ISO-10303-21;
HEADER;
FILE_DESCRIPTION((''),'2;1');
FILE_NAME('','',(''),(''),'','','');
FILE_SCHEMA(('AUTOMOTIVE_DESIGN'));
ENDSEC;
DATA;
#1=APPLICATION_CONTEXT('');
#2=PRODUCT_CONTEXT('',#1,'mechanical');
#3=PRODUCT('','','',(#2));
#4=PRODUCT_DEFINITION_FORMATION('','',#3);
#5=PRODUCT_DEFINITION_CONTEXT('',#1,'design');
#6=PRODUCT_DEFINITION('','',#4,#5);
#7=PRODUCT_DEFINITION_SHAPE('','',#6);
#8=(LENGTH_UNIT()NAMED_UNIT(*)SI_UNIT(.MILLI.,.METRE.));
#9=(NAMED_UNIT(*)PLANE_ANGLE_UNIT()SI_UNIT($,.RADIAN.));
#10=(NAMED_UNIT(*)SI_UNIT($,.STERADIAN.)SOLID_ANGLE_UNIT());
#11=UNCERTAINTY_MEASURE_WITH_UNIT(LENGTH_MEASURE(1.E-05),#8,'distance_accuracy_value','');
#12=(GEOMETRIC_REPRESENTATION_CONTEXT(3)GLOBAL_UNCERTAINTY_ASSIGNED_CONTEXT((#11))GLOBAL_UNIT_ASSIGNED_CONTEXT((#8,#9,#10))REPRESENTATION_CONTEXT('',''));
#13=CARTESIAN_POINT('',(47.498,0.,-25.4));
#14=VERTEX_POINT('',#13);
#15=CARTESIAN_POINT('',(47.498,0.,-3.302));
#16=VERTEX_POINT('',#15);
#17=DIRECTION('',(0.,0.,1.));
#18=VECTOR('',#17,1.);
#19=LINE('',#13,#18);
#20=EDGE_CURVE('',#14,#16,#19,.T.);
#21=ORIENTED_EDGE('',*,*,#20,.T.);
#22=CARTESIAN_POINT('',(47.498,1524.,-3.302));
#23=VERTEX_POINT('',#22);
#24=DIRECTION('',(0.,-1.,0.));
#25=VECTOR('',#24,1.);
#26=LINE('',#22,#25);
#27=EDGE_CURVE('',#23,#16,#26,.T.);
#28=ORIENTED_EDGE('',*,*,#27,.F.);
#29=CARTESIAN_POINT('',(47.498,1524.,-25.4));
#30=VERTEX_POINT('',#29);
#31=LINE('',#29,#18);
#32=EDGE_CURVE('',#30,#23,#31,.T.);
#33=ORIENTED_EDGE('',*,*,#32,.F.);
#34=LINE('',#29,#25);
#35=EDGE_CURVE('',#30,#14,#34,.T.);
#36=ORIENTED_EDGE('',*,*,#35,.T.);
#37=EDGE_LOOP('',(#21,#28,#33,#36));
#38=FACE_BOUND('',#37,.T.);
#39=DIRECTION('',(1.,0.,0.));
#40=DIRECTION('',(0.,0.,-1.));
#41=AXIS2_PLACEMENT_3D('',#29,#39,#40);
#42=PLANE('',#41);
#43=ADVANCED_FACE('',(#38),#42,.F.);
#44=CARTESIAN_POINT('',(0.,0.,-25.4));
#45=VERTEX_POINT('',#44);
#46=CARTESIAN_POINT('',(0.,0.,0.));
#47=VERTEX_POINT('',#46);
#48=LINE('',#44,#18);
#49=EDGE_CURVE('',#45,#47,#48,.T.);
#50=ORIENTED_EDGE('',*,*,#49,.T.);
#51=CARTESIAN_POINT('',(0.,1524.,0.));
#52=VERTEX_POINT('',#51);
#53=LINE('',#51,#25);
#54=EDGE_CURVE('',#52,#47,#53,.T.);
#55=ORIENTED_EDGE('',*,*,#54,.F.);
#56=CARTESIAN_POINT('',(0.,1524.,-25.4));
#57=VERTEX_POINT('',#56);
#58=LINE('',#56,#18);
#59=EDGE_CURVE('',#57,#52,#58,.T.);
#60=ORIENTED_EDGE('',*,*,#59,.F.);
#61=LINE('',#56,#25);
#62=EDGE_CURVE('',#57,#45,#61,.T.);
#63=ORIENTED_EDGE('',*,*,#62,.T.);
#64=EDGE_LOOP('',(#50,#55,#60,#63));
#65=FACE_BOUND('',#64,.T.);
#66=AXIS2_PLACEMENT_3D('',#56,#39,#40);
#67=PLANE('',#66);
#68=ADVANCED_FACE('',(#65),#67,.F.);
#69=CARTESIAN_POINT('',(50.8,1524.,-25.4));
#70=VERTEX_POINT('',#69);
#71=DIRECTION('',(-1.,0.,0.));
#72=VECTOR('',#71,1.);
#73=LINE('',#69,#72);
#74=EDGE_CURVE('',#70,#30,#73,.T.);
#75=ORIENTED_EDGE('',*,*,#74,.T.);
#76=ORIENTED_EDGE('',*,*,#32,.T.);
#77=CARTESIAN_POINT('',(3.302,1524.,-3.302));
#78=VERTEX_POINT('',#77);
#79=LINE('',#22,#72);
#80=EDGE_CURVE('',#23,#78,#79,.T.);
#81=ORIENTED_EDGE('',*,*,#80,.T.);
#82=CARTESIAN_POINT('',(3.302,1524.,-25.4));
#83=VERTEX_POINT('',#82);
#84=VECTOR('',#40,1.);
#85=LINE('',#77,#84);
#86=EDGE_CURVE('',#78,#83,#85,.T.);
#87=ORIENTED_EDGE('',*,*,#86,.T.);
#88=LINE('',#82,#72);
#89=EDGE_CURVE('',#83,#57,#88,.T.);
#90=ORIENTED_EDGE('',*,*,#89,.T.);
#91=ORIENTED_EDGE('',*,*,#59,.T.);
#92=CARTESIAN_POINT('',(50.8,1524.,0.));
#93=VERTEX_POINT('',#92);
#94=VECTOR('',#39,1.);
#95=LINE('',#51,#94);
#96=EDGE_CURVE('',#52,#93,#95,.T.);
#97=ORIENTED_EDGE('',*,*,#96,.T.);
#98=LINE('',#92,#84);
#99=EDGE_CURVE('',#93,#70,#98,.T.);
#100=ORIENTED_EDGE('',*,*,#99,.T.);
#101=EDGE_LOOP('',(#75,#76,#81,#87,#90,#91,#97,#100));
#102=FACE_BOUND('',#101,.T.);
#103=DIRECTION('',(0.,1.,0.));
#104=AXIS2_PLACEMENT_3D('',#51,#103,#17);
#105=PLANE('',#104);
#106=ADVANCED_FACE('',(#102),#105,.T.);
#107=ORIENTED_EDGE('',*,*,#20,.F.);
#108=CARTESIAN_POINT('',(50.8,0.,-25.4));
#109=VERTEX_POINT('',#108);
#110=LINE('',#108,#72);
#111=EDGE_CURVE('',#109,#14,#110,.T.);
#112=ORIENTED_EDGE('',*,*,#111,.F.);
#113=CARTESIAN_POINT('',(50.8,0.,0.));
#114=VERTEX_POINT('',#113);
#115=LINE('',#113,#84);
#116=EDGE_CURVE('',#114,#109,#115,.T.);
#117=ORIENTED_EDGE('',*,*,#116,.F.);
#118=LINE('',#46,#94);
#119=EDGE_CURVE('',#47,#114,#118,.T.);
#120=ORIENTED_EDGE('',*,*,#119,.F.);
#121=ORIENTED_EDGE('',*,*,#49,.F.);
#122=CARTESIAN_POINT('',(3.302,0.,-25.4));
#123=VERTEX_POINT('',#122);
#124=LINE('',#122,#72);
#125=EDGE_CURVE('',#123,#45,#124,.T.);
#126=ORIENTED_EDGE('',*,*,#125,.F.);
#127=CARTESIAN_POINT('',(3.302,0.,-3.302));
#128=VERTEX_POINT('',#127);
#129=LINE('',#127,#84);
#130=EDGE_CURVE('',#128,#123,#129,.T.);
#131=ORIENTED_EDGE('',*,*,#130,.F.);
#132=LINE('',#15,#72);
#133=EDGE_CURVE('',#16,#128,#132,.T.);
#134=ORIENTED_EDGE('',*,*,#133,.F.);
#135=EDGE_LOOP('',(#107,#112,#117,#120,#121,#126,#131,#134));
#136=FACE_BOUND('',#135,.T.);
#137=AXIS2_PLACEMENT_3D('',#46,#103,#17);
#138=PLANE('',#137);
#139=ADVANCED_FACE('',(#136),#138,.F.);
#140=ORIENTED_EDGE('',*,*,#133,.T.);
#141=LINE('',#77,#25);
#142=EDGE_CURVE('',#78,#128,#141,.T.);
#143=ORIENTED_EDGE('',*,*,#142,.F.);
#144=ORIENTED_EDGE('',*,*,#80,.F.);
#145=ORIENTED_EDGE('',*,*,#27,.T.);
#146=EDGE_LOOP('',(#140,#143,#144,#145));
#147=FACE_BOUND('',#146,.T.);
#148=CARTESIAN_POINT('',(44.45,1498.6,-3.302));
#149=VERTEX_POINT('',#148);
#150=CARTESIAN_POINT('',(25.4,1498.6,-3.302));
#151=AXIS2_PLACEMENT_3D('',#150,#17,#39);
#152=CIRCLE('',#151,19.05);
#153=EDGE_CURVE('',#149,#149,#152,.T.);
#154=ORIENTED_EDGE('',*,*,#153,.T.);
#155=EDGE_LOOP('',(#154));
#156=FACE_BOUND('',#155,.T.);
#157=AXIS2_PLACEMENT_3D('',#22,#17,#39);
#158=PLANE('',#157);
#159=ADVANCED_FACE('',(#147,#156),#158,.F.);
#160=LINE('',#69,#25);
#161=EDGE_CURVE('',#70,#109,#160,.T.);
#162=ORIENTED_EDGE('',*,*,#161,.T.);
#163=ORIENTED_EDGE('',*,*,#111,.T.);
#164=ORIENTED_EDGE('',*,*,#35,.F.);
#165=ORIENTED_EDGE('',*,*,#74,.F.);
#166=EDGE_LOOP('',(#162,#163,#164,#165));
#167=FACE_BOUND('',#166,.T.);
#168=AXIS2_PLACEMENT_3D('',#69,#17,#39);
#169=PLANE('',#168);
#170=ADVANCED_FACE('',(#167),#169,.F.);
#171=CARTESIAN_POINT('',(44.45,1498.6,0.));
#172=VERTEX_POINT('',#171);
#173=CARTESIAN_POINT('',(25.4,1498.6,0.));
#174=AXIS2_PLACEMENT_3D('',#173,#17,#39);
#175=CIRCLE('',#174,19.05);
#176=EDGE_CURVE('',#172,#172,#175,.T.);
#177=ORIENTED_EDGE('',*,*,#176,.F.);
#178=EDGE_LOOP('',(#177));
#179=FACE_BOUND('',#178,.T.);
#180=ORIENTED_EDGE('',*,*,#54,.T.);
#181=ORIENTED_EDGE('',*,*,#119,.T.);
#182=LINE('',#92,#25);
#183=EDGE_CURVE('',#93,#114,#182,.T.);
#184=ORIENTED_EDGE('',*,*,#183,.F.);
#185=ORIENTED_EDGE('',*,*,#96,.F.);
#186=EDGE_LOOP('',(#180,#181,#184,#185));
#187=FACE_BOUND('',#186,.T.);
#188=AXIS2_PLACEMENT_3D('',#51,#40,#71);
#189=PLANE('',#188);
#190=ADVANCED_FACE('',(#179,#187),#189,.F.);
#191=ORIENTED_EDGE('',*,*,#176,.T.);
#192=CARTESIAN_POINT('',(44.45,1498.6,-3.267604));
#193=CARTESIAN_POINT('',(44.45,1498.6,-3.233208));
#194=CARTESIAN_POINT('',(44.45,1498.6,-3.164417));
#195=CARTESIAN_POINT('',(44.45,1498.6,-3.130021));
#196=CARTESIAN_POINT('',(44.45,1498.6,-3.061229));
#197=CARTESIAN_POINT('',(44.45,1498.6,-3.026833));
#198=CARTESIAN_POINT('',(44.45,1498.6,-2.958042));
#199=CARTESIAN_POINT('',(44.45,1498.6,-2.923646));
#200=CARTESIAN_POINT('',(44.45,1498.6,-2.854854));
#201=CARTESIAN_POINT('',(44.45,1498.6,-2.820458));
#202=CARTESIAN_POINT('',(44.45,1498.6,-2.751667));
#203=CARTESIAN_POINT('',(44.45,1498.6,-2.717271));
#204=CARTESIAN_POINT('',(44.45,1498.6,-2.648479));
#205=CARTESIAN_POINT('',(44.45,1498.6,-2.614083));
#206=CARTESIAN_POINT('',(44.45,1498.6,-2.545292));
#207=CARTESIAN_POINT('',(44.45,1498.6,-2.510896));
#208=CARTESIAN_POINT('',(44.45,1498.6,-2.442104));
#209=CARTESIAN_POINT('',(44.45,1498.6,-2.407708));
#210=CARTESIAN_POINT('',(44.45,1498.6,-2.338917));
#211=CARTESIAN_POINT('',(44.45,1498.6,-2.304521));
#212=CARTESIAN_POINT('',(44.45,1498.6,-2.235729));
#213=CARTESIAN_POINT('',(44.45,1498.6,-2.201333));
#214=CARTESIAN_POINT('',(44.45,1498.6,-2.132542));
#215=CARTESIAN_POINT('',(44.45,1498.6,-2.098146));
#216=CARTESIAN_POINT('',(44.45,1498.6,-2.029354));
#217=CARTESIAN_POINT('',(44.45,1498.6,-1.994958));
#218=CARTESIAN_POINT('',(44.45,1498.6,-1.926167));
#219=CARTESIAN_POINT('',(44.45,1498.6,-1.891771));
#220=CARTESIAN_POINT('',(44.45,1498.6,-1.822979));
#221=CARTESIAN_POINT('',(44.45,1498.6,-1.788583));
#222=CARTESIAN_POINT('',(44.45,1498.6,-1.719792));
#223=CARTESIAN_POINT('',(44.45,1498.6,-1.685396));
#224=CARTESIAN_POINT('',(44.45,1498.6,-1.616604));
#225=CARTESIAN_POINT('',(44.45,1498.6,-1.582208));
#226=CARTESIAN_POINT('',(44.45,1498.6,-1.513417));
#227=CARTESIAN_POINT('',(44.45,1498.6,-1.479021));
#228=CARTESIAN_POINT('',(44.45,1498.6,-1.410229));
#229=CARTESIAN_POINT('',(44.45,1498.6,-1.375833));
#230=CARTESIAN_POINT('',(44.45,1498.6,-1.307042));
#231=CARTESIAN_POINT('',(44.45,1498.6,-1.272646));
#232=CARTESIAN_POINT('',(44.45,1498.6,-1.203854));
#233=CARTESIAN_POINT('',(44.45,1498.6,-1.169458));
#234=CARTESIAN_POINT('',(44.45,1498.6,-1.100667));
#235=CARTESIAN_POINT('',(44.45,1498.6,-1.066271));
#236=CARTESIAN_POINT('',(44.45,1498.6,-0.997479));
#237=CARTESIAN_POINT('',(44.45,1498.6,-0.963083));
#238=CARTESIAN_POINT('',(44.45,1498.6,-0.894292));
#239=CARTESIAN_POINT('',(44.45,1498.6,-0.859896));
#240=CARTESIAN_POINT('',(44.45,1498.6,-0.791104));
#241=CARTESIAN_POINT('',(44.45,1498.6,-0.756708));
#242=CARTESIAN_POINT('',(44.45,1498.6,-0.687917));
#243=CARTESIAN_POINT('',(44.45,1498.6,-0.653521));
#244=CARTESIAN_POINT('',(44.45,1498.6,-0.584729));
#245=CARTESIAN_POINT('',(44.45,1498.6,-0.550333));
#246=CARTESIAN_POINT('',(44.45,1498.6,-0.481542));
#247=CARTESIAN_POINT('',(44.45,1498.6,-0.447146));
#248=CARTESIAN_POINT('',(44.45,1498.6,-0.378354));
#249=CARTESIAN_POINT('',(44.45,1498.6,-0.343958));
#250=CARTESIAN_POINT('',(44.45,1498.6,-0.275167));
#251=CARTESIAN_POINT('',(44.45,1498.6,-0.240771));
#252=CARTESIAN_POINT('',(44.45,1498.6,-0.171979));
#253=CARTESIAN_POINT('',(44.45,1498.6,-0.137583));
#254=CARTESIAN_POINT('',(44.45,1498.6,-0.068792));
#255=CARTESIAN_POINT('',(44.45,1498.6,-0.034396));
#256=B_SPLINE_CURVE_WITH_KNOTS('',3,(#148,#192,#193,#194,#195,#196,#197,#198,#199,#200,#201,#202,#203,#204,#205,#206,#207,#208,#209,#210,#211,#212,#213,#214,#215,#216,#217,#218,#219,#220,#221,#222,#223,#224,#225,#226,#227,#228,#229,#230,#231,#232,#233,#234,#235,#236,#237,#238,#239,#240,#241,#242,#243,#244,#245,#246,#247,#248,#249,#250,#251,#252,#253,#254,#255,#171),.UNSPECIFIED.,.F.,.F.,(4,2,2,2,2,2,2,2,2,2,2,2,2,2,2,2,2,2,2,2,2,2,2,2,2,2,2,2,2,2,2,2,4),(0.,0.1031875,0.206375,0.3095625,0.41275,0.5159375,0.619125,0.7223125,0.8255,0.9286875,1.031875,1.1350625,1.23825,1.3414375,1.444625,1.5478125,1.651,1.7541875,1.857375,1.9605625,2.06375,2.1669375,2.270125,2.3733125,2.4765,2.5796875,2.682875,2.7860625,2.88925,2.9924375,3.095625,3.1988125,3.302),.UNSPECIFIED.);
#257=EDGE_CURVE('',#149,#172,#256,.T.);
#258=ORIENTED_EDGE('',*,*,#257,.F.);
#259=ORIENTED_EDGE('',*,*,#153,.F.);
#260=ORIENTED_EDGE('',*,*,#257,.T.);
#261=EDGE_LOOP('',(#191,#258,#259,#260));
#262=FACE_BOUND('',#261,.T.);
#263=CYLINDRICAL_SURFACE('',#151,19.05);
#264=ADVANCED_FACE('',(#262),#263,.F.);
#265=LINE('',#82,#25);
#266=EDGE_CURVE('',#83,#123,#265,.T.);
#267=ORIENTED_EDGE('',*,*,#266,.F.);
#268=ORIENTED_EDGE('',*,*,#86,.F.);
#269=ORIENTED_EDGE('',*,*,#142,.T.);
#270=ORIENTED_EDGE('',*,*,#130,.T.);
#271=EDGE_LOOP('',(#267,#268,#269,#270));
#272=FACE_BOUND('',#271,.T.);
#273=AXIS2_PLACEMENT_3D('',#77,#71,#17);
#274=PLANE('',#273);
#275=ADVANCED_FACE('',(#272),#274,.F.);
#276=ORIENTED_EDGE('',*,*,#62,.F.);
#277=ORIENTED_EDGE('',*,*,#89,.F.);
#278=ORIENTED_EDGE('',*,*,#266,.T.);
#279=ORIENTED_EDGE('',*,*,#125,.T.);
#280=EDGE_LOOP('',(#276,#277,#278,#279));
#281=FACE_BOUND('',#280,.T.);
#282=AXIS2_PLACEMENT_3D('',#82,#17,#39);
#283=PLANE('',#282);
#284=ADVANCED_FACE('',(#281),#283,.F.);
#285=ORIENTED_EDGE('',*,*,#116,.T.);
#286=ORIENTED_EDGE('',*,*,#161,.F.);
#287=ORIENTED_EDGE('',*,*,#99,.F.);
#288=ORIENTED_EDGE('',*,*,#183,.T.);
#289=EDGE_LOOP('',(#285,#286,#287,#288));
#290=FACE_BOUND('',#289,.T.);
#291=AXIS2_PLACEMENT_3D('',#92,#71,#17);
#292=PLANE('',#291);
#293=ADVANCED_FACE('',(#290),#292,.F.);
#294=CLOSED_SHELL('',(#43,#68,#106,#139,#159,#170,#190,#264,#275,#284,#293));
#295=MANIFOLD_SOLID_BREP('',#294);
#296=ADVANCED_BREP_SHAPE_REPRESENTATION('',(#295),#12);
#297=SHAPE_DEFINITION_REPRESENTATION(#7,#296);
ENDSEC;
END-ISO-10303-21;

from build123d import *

# Parameters (mm, degrees)
BOSS_EXTRUDE1_DEPTH = 1524
SKETCH2_R           = 19.05
CUT_EXTRUDE1_DEPTH  = 3.302


with BuildPart() as part:
    # Sketch1 → Boss-Extrude1 (new body)
    with BuildSketch(Plane(origin=(0, 0, 0), x_dir=(1, 0, 0), z_dir=(0, 1, 0))):
        Polygon((0, 0), (50.8, 0), (50.8, 25.4), (47.498, 25.4), (47.498, 3.302), (3.302, 3.302), (3.302, 25.4), (0, 25.4), align=None)
    extrude(amount=BOSS_EXTRUDE1_DEPTH)

    # Sketch2 → Cut-Extrude1 (cut)
    with BuildSketch(Plane.XY):
        with Locations((25.4, 1498.6)):
            Circle(SKETCH2_R)
    extrude(amount=-CUT_EXTRUDE1_DEPTH, mode=Mode.SUBTRACT)


solid = part.part
